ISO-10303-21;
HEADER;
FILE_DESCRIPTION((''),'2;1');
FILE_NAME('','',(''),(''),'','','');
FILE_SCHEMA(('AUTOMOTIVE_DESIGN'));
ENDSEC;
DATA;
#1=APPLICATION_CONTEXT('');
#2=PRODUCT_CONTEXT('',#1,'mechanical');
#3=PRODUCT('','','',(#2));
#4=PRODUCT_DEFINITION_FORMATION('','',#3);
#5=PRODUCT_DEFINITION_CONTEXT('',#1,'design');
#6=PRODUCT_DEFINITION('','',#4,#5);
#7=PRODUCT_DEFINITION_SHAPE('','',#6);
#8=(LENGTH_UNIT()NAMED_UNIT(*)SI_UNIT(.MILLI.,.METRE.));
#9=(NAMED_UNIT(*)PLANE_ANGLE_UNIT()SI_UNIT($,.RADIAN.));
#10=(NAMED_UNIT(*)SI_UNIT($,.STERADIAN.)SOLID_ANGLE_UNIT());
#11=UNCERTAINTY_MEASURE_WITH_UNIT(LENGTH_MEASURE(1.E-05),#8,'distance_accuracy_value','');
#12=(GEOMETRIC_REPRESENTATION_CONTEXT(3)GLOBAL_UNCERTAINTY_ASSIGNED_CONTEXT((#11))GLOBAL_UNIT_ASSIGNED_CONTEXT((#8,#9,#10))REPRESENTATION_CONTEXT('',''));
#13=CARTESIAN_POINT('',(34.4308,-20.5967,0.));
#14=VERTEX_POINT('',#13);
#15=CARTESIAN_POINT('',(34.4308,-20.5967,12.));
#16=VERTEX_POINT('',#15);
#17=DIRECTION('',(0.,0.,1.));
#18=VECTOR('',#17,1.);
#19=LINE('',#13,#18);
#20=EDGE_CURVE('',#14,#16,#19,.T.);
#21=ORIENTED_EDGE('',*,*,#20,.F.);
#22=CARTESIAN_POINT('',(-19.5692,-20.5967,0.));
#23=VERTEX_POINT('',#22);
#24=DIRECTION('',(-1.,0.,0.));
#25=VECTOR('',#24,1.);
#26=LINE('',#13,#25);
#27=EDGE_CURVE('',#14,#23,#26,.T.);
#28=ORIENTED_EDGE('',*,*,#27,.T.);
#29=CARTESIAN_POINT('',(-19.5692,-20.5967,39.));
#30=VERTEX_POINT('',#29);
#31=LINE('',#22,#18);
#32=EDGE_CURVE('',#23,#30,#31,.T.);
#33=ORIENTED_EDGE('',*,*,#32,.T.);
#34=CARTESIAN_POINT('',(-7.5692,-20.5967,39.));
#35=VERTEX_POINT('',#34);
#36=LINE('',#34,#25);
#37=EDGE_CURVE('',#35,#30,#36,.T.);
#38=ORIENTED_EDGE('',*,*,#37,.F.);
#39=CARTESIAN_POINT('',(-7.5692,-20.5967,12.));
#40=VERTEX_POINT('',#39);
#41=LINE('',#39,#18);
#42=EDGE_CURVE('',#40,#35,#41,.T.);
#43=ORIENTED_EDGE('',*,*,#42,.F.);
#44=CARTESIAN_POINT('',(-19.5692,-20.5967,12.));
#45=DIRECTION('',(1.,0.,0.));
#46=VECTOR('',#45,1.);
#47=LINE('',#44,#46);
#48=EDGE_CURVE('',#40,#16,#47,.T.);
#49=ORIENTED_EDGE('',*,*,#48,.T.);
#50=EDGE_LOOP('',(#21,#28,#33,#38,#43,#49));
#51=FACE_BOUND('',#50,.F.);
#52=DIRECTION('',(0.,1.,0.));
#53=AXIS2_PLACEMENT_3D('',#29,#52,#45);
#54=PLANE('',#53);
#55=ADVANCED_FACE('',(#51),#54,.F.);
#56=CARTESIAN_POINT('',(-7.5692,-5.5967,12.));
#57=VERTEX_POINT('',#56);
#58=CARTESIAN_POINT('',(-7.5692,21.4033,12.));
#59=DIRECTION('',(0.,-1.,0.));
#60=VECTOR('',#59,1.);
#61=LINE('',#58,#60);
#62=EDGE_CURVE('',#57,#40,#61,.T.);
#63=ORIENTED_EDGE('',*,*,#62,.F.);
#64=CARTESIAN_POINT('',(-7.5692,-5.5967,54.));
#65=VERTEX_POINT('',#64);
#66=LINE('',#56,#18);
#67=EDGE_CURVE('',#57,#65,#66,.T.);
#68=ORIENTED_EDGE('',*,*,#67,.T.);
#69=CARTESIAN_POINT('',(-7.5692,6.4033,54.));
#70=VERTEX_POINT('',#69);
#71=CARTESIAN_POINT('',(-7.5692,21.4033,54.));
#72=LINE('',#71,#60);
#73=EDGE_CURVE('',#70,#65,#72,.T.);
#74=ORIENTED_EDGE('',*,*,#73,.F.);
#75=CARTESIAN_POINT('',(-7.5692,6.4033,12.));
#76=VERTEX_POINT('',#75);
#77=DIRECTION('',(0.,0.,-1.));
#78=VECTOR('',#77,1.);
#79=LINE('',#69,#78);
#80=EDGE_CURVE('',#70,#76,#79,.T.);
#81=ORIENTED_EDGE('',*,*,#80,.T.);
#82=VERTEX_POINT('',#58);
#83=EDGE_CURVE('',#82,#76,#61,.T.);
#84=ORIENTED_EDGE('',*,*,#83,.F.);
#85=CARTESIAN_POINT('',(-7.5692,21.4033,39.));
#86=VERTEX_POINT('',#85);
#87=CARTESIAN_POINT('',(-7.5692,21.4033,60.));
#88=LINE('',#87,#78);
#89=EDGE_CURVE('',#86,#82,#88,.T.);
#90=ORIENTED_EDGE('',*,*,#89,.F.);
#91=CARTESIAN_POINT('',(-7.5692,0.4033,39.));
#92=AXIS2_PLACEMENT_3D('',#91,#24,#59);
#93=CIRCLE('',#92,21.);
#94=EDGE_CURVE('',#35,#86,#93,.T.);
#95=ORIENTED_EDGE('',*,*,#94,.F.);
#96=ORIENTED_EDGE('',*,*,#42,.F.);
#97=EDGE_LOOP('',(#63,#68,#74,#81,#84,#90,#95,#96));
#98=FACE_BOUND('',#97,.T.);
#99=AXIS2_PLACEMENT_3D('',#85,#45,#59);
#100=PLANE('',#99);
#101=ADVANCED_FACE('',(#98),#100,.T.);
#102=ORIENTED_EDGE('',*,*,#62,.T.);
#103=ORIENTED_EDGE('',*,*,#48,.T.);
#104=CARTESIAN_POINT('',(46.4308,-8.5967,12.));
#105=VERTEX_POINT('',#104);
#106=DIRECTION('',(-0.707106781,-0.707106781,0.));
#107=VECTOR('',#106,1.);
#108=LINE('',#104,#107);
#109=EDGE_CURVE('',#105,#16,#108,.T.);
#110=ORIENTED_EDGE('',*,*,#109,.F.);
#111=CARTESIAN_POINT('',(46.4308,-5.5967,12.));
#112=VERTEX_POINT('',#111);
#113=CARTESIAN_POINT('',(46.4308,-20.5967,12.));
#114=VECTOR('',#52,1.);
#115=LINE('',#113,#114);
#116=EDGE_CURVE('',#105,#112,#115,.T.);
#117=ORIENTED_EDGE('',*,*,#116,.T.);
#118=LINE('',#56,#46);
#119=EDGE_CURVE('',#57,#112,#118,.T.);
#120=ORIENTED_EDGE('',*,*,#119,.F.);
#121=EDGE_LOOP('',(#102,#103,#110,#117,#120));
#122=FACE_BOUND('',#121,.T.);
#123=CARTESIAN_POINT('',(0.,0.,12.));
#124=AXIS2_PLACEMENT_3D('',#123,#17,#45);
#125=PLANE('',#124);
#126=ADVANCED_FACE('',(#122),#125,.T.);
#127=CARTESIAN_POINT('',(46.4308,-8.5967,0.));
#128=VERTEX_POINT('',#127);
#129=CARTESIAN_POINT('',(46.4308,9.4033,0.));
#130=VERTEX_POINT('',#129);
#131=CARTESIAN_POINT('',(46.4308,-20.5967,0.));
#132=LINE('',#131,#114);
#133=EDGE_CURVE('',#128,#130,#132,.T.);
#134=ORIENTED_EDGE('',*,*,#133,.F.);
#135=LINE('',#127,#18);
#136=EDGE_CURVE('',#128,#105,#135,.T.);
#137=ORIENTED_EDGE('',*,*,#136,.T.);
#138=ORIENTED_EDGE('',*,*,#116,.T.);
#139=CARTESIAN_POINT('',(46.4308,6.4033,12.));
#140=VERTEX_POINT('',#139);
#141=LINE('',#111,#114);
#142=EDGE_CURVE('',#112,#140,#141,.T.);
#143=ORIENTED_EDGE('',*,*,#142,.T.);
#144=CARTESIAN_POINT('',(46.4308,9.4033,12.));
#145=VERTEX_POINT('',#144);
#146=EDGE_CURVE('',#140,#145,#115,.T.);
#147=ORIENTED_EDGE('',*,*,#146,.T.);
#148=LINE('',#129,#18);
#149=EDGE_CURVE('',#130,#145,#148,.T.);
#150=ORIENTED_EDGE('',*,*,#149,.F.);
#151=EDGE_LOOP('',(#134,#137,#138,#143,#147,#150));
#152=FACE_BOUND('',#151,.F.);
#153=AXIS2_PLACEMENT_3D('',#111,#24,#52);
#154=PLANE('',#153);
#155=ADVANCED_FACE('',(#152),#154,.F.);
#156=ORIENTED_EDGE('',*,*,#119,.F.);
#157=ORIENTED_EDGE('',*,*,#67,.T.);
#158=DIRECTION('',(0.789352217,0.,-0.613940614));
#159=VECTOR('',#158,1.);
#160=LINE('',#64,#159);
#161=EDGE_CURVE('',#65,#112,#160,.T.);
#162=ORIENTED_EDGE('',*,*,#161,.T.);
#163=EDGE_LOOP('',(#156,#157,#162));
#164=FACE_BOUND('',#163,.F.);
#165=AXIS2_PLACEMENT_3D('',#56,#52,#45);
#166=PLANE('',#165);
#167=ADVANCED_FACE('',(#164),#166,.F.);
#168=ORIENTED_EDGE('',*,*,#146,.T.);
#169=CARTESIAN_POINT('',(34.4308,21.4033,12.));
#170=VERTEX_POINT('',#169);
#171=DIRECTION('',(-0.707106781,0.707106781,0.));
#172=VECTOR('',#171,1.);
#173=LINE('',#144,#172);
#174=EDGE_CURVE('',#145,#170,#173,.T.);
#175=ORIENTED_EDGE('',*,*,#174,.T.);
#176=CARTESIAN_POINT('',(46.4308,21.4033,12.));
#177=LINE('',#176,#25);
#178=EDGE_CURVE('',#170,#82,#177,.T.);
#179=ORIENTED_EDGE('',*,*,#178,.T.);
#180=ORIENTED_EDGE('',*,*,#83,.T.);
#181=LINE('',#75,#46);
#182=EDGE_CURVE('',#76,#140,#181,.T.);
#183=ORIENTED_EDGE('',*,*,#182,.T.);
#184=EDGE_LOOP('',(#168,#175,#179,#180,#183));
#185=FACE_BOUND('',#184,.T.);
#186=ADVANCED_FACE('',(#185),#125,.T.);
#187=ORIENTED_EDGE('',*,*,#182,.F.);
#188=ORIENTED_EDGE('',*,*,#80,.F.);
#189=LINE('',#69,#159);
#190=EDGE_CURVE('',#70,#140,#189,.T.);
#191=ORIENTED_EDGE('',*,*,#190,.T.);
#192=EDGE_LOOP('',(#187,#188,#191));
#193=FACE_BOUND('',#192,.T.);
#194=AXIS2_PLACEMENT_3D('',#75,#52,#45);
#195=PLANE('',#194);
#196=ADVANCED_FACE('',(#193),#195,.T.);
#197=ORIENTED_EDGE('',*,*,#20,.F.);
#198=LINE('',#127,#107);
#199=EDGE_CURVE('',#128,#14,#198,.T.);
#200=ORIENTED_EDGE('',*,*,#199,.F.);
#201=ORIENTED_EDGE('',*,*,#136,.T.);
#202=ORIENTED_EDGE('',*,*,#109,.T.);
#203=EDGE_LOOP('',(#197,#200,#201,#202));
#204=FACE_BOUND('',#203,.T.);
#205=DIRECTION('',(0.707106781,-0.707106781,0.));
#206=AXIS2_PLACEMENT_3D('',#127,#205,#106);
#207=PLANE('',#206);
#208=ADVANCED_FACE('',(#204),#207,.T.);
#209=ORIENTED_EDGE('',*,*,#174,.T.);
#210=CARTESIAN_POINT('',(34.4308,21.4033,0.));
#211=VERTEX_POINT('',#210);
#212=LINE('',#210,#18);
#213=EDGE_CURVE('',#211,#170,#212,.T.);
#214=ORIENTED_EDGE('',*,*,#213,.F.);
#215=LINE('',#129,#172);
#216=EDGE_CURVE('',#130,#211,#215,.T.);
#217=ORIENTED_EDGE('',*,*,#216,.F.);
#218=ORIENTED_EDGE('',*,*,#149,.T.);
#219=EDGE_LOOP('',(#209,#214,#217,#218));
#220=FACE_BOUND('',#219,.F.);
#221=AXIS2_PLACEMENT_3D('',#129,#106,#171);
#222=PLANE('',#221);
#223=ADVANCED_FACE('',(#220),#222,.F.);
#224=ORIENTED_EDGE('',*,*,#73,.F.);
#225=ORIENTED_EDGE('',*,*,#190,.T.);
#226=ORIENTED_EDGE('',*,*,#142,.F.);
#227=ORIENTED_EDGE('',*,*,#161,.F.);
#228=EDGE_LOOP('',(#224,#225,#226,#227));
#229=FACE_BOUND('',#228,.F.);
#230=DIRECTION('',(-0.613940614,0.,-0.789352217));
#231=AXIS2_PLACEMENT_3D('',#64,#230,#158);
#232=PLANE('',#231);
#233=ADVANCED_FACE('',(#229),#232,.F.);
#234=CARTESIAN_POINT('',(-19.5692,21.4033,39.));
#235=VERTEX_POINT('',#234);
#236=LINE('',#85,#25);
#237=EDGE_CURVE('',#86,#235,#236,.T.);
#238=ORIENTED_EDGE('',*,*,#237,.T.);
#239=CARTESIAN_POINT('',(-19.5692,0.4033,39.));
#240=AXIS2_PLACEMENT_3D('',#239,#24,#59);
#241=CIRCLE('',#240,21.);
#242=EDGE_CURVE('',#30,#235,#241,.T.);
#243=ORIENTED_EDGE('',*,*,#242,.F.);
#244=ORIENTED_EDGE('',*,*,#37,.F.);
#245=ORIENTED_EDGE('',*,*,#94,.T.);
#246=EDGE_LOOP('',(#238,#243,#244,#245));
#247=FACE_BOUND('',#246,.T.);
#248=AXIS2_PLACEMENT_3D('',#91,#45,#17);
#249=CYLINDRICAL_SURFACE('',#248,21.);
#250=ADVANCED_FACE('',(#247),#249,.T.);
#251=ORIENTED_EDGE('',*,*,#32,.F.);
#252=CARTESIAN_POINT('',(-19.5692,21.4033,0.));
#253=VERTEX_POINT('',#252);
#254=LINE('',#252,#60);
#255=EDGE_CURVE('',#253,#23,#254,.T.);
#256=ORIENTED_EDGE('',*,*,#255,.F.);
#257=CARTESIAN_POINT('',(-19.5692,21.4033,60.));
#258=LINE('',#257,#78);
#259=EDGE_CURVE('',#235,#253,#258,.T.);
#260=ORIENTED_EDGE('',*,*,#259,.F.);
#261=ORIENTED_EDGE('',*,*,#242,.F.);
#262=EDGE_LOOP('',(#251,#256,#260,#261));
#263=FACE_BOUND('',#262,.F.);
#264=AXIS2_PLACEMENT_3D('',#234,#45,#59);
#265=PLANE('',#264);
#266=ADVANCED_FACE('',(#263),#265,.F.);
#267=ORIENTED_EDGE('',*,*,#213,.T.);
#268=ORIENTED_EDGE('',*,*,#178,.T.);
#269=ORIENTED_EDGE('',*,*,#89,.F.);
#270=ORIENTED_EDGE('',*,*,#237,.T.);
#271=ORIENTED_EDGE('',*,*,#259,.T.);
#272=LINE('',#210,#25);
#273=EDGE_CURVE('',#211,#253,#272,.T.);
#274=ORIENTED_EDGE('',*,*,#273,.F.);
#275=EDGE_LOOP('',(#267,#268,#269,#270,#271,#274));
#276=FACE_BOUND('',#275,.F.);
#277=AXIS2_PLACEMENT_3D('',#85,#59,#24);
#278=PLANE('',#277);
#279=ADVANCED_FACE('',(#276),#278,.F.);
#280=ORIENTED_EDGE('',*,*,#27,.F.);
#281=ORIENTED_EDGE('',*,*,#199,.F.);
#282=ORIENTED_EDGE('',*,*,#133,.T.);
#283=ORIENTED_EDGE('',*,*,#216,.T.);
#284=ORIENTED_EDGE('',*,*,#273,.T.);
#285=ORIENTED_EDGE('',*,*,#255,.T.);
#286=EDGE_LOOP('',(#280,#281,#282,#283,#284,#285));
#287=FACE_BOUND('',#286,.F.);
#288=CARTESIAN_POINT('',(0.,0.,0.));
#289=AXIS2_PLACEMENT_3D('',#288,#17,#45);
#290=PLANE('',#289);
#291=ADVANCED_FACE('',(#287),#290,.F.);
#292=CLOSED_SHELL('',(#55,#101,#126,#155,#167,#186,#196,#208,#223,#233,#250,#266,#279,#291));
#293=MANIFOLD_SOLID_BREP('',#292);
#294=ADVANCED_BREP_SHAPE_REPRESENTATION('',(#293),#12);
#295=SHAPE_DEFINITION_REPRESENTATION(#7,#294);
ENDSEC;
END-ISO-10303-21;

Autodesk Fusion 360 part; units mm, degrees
sketch "base" plane through (0, 0, 0) normal (0, 0, 1) x (1, 0, 0)
  line L0 (-19.5692, -20.5967) -> (46.4308, -20.5967)
  line L1 (46.4308, -20.5967) -> (46.4308, 21.4033)
  line L2 (46.4308, 21.4033) -> (-19.5692, 21.4033)
  line L3 (-19.5692, 21.4033) -> (-19.5692, -20.5967)
  line L4 (46.4308, -20.5967) -> (46.4308, -8.5967)
  line L5 (46.4308, -20.5967) -> (34.4308, -20.5967)
  line L6 (46.4308, -8.5967) -> (34.4308, -20.5967)
  line L7 (46.4308, 9.4033) -> (34.4308, 21.4033)
  line L8 (46.4308, 21.4033) -> (34.4308, 21.4033)
  line L9 (46.4308, 21.4033) -> (46.4308, 9.4033)
  line L10 (-19.5692, 21.4033) -> (-7.5692, 21.4033)
  line L11 (-19.5692, -20.5967) -> (-7.5692, -20.5967)
  line L12 (-7.5692, 21.4033) -> (-7.5692, -20.5967)
  dimension "d1" = 66
  dimension "d2" = 42
  dimension "d3" = 12
  dimension "d4" = 12
extrude "Extrude1" add sketch "base" along normal blind 12 contours L0 L1 L2 L6 L7 L12
extrude "Extrude2" add sketch "base" along normal blind 39 contours L0 L2 L3 L10 L11 L12
sketch "ramp" plane through (0, 0, 12) normal (0, 0, 1) x (-1, 0, 0)
  line L0 (-46.4308, 8.5967) -> (-46.4308, -9.4033)
  line L1 (-46.4308, -9.4033) -> (-34.4308, -21.4033)
  line L2 (-34.4308, -21.4033) -> (7.5692, -21.4033)
  line L3 (7.5692, -21.4033) -> (7.5692, 20.5967)
  line L4 (7.5692, 20.5967) -> (-34.4308, 20.5967)
  line L5 (-34.4308, 20.5967) -> (-46.4308, 8.5967)
  line L6 (7.5692, -21.4033) -> (7.5692, -6.4033)
  line L7 (7.5692, 20.5967) -> (7.5692, 5.5967)
  line L8 (7.5692, -6.4033) -> (-46.4308, -6.4033)
  line L9 (7.5692, 5.5967) -> (-46.4308, 5.5967)
  dimension "d9" = 15
  dimension "d10" = 15
extrude "Extrude3" add sketch "ramp" along normal blind 42 contours L0 L3 L8 L9
sketch "triangle" plane through (0, -5.5967, 0) normal (0, -1, 0) x (1, 0, 0)
  line L0 (-7.5692, 12) -> (46.4308, 12)
  line L1 (46.4308, 12) -> (46.4308, 54)
  line L2 (46.4308, 54) -> (-7.5692, 54)
  line L3 (-7.5692, 54) -> (-7.5692, 39)
  line L4 (-7.5692, 39) -> (-7.5692, 12)
  line L5 (-7.5692, 54) -> (46.4308, 12)
  line L6 (-7.5692, 54) -> (46.4308, 54)
  line L7 (46.4308, 12) -> (46.4308, 54)
extrude "Extrude4" cut sketch "triangle" against normal blind 12 contours L1 L2 L5 L6 L7
extrude "Extrude5" add 1 faces at (-15.5692, -1.5967, 39) along direction (0, 0, 1) blind 21
sketch "round" plane through (-7.5692, 0, 0) normal (1, 0, 0) x (0, 1, 0)
  line L0 (6.4033, 54) -> (6.4033, 12)
  line L1 (6.4033, 12) -> (21.4033, 12)
  line L2 (21.4033, 12) -> (21.4033, 60)
  line L3 (21.4033, 60) -> (-20.5967, 60)
  line L4 (-20.5967, 60) -> (-20.5967, 12)
  line L5 (-20.5967, 12) -> (-5.5967, 12)
  line L6 (-5.5967, 12) -> (-5.5967, 54)
  line L7 (-5.5967, 54) -> (6.4033, 54)
  line L8 (-20.5967, 12) -> (-20.5967, 39)
  arc A0 (0.4033, 60) -> (-20.5967, 39) centre (0.4033, 39) ccw
  line L9 (21.4033, 12) -> (21.4033, 39)
  arc A1 (21.4033, 39) -> (0.4033, 60) centre (0.4033, 39) ccw
  line L10 (21.4033, 39) -> (21.4033, 60)
  line L11 (0.4033, 60) -> (-20.5967, 60)
  line L12 (-20.5967, 39) -> (-20.5967, 60)
  dimension "d17" = 27
  dimension "d18" = 27
extrude "Extrude8" cut sketch "round" against normal blind 12 contours L2 L3 A1 L10
extrude "Extrude6" cut sketch "round" against normal blind 12 contours L2 L3 A1 L10
extrude "Extrude7" cut sketch "round" against normal blind 12 contours L3 L4 A0 L11 L12
